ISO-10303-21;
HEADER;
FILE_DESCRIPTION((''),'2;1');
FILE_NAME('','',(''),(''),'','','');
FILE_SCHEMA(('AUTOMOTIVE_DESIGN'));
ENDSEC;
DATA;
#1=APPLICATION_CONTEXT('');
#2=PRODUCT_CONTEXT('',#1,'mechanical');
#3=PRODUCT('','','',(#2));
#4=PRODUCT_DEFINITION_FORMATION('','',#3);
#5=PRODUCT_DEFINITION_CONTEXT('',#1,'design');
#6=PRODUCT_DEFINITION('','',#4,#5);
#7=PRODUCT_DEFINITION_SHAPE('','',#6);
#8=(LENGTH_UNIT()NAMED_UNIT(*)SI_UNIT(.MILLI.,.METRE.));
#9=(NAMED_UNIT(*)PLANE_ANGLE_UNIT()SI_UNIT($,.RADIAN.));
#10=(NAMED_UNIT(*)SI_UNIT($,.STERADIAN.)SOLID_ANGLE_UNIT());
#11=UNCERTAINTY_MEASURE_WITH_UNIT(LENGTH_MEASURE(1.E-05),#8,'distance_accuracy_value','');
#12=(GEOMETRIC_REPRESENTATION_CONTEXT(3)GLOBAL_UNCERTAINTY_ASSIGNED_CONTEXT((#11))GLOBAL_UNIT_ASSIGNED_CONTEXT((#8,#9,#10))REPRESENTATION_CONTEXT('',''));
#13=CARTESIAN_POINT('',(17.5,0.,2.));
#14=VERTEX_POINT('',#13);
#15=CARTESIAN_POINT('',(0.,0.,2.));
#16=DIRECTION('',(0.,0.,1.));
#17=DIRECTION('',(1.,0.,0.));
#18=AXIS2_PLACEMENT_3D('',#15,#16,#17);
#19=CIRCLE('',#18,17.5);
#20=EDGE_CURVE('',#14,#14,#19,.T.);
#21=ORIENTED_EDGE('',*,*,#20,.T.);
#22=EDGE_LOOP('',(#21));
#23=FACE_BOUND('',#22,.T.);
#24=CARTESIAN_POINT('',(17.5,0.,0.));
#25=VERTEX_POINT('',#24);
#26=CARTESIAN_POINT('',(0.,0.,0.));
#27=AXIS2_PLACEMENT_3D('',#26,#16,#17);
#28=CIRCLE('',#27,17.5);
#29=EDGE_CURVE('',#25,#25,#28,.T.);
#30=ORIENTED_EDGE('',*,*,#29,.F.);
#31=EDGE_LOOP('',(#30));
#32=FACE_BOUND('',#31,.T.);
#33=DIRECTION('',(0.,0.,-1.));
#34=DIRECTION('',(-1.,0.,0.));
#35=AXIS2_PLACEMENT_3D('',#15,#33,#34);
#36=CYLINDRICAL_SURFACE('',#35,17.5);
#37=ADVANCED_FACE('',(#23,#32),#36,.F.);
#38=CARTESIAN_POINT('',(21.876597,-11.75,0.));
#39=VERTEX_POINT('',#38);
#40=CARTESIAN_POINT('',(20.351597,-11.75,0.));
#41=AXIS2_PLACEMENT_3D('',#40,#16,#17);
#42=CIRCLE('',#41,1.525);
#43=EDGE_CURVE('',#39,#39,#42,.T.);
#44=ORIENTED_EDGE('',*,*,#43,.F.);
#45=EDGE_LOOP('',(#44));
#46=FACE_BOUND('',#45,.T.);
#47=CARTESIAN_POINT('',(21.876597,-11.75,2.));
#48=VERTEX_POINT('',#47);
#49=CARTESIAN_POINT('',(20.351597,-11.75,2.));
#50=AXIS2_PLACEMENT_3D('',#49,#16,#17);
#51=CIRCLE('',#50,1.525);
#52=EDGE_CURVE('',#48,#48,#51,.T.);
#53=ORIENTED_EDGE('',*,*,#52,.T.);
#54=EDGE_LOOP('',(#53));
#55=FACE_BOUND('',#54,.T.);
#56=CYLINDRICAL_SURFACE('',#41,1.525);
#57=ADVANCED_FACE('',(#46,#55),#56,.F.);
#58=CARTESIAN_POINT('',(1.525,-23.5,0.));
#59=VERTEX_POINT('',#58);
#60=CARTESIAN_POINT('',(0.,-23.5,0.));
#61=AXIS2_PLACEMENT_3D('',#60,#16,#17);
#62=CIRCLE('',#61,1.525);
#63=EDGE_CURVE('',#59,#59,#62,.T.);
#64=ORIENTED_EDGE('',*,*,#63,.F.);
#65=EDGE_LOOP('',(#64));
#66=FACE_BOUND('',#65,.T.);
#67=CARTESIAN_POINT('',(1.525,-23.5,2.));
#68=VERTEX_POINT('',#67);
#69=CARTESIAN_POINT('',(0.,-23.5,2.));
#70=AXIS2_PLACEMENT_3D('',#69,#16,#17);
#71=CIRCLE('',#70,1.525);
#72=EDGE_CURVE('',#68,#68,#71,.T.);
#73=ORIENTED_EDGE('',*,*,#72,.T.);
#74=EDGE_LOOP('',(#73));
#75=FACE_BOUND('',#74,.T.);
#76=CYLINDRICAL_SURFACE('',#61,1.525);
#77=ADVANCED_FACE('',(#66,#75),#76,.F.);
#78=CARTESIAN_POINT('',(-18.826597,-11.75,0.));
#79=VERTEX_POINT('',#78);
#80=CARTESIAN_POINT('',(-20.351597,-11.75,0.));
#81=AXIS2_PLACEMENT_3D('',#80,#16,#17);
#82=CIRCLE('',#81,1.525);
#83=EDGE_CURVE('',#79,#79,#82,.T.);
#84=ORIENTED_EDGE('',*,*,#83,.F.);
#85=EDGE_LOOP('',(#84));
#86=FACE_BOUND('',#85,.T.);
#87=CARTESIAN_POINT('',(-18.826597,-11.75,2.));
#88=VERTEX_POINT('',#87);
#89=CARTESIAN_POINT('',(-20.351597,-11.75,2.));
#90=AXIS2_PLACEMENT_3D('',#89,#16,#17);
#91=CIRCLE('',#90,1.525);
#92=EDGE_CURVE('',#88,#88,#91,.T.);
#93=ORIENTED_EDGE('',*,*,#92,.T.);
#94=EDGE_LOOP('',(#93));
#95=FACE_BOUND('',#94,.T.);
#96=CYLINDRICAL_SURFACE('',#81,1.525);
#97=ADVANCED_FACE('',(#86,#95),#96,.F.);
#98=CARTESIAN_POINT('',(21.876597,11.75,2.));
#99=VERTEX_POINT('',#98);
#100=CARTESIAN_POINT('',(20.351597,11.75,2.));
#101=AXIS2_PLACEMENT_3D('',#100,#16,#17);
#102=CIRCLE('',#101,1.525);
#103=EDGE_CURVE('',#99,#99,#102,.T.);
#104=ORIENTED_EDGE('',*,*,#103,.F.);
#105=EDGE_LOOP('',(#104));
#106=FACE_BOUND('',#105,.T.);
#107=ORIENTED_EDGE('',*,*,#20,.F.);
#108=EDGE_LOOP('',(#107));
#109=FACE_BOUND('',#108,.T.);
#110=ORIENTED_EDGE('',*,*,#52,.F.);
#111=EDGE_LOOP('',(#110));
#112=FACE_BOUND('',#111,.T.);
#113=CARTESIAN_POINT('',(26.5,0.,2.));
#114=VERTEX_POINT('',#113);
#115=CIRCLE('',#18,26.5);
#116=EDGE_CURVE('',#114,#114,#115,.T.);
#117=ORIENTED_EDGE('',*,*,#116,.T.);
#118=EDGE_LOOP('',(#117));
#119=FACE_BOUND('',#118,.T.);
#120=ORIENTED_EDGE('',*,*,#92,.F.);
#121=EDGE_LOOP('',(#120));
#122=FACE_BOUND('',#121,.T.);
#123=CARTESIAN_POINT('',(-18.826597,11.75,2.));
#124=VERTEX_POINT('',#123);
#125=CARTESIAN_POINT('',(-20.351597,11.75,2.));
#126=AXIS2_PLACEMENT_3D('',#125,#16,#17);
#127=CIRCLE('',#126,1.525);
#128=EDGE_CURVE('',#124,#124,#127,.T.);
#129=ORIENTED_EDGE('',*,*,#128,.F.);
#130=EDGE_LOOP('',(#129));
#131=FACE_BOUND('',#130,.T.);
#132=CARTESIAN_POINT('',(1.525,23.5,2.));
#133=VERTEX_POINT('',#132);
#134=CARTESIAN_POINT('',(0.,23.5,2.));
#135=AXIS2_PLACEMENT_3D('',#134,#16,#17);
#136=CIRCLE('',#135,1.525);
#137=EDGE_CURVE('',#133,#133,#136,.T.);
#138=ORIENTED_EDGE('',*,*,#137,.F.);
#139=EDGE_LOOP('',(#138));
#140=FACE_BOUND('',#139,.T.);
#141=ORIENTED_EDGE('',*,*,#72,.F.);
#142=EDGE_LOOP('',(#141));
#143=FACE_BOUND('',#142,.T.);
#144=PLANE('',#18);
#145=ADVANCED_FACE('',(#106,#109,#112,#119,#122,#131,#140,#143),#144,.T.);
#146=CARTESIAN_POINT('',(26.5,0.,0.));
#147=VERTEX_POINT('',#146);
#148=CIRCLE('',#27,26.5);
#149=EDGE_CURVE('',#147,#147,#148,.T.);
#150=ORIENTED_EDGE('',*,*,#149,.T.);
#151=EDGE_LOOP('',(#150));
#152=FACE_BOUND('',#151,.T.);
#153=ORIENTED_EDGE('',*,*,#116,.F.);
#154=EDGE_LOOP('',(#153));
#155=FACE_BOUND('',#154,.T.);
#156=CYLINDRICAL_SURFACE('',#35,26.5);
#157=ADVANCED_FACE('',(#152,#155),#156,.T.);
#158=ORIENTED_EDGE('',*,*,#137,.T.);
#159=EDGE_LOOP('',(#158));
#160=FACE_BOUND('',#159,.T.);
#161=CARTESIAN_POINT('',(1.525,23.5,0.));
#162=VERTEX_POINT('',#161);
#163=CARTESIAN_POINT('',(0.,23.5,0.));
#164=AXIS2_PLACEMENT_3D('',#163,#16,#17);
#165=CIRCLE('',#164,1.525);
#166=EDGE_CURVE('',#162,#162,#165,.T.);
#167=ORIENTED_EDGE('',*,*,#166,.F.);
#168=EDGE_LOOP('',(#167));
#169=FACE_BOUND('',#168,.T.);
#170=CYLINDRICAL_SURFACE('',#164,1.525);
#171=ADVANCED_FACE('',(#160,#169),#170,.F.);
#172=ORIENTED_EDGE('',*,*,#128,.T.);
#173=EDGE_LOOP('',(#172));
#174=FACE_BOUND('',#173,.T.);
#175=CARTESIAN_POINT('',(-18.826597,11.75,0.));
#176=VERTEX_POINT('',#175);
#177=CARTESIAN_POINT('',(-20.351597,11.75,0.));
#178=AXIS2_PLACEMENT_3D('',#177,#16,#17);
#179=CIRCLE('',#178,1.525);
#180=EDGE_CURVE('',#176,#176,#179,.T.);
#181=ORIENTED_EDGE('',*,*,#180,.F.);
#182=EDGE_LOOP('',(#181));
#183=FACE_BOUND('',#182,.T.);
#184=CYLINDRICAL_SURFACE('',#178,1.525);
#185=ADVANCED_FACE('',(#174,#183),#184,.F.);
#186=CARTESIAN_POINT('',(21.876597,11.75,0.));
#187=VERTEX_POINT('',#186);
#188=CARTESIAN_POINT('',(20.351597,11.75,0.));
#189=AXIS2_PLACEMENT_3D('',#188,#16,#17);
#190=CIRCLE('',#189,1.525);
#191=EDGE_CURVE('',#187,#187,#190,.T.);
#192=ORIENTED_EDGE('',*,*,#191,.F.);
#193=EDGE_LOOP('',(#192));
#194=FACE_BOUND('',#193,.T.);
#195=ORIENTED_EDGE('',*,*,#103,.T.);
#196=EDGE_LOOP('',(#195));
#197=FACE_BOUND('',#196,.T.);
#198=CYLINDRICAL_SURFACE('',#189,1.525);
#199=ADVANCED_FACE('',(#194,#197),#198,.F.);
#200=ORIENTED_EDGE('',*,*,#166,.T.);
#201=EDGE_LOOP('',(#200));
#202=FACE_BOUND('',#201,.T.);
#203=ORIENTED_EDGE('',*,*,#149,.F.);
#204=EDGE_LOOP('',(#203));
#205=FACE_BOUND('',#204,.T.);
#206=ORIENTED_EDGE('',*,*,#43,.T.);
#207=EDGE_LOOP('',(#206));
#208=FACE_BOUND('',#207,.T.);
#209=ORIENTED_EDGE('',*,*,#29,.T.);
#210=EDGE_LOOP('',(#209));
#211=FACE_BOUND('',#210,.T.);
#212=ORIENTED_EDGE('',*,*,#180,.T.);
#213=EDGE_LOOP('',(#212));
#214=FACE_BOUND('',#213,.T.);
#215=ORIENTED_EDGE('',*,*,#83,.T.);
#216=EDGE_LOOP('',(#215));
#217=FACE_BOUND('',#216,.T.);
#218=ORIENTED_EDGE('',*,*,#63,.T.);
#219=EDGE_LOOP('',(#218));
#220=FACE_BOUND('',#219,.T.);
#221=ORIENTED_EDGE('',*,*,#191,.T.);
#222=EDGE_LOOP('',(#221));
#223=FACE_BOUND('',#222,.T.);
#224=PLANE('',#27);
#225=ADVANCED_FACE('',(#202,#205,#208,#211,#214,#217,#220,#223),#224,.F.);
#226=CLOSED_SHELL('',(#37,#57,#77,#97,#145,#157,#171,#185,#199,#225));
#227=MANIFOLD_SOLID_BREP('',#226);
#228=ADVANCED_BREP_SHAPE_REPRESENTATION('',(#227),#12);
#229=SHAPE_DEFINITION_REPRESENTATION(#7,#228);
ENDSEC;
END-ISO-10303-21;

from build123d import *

# Parameters (mm, degrees)
SKETCH_1_R          = 26.5
SKETCH_1_R_2        = 17.5
EXTRUDE_1_DEPTH     = 2
SKETCH_2_R          = 1.525
CUT_EXTRUDE_1_DEPTH = 2


with BuildPart() as part:
    # 草图1 → 凸台-拉伸1 (new body)
    with BuildSketch(Plane.XY):
        Circle(SKETCH_1_R)
        Circle(SKETCH_1_R_2, mode=Mode.SUBTRACT)
    extrude(amount=EXTRUDE_1_DEPTH)

    # 草图2 → 切除-拉伸1 (cut)
    with BuildSketch(Plane.XY.offset(2)):
        with Locations((0, 23.5)):
            Circle(SKETCH_2_R)
        with Locations((20.351596989, 11.75)):
            Circle(SKETCH_2_R)
        with Locations((20.351596989, -11.75)):
            Circle(SKETCH_2_R)
        with Locations((0, -23.5)):
            Circle(SKETCH_2_R)
        with Locations((-20.351596989, -11.75)):
            Circle(SKETCH_2_R)
        with Locations((-20.351596989, 11.75)):
            Circle(SKETCH_2_R)
    extrude(amount=-CUT_EXTRUDE_1_DEPTH, mode=Mode.SUBTRACT)


solid = part.part
